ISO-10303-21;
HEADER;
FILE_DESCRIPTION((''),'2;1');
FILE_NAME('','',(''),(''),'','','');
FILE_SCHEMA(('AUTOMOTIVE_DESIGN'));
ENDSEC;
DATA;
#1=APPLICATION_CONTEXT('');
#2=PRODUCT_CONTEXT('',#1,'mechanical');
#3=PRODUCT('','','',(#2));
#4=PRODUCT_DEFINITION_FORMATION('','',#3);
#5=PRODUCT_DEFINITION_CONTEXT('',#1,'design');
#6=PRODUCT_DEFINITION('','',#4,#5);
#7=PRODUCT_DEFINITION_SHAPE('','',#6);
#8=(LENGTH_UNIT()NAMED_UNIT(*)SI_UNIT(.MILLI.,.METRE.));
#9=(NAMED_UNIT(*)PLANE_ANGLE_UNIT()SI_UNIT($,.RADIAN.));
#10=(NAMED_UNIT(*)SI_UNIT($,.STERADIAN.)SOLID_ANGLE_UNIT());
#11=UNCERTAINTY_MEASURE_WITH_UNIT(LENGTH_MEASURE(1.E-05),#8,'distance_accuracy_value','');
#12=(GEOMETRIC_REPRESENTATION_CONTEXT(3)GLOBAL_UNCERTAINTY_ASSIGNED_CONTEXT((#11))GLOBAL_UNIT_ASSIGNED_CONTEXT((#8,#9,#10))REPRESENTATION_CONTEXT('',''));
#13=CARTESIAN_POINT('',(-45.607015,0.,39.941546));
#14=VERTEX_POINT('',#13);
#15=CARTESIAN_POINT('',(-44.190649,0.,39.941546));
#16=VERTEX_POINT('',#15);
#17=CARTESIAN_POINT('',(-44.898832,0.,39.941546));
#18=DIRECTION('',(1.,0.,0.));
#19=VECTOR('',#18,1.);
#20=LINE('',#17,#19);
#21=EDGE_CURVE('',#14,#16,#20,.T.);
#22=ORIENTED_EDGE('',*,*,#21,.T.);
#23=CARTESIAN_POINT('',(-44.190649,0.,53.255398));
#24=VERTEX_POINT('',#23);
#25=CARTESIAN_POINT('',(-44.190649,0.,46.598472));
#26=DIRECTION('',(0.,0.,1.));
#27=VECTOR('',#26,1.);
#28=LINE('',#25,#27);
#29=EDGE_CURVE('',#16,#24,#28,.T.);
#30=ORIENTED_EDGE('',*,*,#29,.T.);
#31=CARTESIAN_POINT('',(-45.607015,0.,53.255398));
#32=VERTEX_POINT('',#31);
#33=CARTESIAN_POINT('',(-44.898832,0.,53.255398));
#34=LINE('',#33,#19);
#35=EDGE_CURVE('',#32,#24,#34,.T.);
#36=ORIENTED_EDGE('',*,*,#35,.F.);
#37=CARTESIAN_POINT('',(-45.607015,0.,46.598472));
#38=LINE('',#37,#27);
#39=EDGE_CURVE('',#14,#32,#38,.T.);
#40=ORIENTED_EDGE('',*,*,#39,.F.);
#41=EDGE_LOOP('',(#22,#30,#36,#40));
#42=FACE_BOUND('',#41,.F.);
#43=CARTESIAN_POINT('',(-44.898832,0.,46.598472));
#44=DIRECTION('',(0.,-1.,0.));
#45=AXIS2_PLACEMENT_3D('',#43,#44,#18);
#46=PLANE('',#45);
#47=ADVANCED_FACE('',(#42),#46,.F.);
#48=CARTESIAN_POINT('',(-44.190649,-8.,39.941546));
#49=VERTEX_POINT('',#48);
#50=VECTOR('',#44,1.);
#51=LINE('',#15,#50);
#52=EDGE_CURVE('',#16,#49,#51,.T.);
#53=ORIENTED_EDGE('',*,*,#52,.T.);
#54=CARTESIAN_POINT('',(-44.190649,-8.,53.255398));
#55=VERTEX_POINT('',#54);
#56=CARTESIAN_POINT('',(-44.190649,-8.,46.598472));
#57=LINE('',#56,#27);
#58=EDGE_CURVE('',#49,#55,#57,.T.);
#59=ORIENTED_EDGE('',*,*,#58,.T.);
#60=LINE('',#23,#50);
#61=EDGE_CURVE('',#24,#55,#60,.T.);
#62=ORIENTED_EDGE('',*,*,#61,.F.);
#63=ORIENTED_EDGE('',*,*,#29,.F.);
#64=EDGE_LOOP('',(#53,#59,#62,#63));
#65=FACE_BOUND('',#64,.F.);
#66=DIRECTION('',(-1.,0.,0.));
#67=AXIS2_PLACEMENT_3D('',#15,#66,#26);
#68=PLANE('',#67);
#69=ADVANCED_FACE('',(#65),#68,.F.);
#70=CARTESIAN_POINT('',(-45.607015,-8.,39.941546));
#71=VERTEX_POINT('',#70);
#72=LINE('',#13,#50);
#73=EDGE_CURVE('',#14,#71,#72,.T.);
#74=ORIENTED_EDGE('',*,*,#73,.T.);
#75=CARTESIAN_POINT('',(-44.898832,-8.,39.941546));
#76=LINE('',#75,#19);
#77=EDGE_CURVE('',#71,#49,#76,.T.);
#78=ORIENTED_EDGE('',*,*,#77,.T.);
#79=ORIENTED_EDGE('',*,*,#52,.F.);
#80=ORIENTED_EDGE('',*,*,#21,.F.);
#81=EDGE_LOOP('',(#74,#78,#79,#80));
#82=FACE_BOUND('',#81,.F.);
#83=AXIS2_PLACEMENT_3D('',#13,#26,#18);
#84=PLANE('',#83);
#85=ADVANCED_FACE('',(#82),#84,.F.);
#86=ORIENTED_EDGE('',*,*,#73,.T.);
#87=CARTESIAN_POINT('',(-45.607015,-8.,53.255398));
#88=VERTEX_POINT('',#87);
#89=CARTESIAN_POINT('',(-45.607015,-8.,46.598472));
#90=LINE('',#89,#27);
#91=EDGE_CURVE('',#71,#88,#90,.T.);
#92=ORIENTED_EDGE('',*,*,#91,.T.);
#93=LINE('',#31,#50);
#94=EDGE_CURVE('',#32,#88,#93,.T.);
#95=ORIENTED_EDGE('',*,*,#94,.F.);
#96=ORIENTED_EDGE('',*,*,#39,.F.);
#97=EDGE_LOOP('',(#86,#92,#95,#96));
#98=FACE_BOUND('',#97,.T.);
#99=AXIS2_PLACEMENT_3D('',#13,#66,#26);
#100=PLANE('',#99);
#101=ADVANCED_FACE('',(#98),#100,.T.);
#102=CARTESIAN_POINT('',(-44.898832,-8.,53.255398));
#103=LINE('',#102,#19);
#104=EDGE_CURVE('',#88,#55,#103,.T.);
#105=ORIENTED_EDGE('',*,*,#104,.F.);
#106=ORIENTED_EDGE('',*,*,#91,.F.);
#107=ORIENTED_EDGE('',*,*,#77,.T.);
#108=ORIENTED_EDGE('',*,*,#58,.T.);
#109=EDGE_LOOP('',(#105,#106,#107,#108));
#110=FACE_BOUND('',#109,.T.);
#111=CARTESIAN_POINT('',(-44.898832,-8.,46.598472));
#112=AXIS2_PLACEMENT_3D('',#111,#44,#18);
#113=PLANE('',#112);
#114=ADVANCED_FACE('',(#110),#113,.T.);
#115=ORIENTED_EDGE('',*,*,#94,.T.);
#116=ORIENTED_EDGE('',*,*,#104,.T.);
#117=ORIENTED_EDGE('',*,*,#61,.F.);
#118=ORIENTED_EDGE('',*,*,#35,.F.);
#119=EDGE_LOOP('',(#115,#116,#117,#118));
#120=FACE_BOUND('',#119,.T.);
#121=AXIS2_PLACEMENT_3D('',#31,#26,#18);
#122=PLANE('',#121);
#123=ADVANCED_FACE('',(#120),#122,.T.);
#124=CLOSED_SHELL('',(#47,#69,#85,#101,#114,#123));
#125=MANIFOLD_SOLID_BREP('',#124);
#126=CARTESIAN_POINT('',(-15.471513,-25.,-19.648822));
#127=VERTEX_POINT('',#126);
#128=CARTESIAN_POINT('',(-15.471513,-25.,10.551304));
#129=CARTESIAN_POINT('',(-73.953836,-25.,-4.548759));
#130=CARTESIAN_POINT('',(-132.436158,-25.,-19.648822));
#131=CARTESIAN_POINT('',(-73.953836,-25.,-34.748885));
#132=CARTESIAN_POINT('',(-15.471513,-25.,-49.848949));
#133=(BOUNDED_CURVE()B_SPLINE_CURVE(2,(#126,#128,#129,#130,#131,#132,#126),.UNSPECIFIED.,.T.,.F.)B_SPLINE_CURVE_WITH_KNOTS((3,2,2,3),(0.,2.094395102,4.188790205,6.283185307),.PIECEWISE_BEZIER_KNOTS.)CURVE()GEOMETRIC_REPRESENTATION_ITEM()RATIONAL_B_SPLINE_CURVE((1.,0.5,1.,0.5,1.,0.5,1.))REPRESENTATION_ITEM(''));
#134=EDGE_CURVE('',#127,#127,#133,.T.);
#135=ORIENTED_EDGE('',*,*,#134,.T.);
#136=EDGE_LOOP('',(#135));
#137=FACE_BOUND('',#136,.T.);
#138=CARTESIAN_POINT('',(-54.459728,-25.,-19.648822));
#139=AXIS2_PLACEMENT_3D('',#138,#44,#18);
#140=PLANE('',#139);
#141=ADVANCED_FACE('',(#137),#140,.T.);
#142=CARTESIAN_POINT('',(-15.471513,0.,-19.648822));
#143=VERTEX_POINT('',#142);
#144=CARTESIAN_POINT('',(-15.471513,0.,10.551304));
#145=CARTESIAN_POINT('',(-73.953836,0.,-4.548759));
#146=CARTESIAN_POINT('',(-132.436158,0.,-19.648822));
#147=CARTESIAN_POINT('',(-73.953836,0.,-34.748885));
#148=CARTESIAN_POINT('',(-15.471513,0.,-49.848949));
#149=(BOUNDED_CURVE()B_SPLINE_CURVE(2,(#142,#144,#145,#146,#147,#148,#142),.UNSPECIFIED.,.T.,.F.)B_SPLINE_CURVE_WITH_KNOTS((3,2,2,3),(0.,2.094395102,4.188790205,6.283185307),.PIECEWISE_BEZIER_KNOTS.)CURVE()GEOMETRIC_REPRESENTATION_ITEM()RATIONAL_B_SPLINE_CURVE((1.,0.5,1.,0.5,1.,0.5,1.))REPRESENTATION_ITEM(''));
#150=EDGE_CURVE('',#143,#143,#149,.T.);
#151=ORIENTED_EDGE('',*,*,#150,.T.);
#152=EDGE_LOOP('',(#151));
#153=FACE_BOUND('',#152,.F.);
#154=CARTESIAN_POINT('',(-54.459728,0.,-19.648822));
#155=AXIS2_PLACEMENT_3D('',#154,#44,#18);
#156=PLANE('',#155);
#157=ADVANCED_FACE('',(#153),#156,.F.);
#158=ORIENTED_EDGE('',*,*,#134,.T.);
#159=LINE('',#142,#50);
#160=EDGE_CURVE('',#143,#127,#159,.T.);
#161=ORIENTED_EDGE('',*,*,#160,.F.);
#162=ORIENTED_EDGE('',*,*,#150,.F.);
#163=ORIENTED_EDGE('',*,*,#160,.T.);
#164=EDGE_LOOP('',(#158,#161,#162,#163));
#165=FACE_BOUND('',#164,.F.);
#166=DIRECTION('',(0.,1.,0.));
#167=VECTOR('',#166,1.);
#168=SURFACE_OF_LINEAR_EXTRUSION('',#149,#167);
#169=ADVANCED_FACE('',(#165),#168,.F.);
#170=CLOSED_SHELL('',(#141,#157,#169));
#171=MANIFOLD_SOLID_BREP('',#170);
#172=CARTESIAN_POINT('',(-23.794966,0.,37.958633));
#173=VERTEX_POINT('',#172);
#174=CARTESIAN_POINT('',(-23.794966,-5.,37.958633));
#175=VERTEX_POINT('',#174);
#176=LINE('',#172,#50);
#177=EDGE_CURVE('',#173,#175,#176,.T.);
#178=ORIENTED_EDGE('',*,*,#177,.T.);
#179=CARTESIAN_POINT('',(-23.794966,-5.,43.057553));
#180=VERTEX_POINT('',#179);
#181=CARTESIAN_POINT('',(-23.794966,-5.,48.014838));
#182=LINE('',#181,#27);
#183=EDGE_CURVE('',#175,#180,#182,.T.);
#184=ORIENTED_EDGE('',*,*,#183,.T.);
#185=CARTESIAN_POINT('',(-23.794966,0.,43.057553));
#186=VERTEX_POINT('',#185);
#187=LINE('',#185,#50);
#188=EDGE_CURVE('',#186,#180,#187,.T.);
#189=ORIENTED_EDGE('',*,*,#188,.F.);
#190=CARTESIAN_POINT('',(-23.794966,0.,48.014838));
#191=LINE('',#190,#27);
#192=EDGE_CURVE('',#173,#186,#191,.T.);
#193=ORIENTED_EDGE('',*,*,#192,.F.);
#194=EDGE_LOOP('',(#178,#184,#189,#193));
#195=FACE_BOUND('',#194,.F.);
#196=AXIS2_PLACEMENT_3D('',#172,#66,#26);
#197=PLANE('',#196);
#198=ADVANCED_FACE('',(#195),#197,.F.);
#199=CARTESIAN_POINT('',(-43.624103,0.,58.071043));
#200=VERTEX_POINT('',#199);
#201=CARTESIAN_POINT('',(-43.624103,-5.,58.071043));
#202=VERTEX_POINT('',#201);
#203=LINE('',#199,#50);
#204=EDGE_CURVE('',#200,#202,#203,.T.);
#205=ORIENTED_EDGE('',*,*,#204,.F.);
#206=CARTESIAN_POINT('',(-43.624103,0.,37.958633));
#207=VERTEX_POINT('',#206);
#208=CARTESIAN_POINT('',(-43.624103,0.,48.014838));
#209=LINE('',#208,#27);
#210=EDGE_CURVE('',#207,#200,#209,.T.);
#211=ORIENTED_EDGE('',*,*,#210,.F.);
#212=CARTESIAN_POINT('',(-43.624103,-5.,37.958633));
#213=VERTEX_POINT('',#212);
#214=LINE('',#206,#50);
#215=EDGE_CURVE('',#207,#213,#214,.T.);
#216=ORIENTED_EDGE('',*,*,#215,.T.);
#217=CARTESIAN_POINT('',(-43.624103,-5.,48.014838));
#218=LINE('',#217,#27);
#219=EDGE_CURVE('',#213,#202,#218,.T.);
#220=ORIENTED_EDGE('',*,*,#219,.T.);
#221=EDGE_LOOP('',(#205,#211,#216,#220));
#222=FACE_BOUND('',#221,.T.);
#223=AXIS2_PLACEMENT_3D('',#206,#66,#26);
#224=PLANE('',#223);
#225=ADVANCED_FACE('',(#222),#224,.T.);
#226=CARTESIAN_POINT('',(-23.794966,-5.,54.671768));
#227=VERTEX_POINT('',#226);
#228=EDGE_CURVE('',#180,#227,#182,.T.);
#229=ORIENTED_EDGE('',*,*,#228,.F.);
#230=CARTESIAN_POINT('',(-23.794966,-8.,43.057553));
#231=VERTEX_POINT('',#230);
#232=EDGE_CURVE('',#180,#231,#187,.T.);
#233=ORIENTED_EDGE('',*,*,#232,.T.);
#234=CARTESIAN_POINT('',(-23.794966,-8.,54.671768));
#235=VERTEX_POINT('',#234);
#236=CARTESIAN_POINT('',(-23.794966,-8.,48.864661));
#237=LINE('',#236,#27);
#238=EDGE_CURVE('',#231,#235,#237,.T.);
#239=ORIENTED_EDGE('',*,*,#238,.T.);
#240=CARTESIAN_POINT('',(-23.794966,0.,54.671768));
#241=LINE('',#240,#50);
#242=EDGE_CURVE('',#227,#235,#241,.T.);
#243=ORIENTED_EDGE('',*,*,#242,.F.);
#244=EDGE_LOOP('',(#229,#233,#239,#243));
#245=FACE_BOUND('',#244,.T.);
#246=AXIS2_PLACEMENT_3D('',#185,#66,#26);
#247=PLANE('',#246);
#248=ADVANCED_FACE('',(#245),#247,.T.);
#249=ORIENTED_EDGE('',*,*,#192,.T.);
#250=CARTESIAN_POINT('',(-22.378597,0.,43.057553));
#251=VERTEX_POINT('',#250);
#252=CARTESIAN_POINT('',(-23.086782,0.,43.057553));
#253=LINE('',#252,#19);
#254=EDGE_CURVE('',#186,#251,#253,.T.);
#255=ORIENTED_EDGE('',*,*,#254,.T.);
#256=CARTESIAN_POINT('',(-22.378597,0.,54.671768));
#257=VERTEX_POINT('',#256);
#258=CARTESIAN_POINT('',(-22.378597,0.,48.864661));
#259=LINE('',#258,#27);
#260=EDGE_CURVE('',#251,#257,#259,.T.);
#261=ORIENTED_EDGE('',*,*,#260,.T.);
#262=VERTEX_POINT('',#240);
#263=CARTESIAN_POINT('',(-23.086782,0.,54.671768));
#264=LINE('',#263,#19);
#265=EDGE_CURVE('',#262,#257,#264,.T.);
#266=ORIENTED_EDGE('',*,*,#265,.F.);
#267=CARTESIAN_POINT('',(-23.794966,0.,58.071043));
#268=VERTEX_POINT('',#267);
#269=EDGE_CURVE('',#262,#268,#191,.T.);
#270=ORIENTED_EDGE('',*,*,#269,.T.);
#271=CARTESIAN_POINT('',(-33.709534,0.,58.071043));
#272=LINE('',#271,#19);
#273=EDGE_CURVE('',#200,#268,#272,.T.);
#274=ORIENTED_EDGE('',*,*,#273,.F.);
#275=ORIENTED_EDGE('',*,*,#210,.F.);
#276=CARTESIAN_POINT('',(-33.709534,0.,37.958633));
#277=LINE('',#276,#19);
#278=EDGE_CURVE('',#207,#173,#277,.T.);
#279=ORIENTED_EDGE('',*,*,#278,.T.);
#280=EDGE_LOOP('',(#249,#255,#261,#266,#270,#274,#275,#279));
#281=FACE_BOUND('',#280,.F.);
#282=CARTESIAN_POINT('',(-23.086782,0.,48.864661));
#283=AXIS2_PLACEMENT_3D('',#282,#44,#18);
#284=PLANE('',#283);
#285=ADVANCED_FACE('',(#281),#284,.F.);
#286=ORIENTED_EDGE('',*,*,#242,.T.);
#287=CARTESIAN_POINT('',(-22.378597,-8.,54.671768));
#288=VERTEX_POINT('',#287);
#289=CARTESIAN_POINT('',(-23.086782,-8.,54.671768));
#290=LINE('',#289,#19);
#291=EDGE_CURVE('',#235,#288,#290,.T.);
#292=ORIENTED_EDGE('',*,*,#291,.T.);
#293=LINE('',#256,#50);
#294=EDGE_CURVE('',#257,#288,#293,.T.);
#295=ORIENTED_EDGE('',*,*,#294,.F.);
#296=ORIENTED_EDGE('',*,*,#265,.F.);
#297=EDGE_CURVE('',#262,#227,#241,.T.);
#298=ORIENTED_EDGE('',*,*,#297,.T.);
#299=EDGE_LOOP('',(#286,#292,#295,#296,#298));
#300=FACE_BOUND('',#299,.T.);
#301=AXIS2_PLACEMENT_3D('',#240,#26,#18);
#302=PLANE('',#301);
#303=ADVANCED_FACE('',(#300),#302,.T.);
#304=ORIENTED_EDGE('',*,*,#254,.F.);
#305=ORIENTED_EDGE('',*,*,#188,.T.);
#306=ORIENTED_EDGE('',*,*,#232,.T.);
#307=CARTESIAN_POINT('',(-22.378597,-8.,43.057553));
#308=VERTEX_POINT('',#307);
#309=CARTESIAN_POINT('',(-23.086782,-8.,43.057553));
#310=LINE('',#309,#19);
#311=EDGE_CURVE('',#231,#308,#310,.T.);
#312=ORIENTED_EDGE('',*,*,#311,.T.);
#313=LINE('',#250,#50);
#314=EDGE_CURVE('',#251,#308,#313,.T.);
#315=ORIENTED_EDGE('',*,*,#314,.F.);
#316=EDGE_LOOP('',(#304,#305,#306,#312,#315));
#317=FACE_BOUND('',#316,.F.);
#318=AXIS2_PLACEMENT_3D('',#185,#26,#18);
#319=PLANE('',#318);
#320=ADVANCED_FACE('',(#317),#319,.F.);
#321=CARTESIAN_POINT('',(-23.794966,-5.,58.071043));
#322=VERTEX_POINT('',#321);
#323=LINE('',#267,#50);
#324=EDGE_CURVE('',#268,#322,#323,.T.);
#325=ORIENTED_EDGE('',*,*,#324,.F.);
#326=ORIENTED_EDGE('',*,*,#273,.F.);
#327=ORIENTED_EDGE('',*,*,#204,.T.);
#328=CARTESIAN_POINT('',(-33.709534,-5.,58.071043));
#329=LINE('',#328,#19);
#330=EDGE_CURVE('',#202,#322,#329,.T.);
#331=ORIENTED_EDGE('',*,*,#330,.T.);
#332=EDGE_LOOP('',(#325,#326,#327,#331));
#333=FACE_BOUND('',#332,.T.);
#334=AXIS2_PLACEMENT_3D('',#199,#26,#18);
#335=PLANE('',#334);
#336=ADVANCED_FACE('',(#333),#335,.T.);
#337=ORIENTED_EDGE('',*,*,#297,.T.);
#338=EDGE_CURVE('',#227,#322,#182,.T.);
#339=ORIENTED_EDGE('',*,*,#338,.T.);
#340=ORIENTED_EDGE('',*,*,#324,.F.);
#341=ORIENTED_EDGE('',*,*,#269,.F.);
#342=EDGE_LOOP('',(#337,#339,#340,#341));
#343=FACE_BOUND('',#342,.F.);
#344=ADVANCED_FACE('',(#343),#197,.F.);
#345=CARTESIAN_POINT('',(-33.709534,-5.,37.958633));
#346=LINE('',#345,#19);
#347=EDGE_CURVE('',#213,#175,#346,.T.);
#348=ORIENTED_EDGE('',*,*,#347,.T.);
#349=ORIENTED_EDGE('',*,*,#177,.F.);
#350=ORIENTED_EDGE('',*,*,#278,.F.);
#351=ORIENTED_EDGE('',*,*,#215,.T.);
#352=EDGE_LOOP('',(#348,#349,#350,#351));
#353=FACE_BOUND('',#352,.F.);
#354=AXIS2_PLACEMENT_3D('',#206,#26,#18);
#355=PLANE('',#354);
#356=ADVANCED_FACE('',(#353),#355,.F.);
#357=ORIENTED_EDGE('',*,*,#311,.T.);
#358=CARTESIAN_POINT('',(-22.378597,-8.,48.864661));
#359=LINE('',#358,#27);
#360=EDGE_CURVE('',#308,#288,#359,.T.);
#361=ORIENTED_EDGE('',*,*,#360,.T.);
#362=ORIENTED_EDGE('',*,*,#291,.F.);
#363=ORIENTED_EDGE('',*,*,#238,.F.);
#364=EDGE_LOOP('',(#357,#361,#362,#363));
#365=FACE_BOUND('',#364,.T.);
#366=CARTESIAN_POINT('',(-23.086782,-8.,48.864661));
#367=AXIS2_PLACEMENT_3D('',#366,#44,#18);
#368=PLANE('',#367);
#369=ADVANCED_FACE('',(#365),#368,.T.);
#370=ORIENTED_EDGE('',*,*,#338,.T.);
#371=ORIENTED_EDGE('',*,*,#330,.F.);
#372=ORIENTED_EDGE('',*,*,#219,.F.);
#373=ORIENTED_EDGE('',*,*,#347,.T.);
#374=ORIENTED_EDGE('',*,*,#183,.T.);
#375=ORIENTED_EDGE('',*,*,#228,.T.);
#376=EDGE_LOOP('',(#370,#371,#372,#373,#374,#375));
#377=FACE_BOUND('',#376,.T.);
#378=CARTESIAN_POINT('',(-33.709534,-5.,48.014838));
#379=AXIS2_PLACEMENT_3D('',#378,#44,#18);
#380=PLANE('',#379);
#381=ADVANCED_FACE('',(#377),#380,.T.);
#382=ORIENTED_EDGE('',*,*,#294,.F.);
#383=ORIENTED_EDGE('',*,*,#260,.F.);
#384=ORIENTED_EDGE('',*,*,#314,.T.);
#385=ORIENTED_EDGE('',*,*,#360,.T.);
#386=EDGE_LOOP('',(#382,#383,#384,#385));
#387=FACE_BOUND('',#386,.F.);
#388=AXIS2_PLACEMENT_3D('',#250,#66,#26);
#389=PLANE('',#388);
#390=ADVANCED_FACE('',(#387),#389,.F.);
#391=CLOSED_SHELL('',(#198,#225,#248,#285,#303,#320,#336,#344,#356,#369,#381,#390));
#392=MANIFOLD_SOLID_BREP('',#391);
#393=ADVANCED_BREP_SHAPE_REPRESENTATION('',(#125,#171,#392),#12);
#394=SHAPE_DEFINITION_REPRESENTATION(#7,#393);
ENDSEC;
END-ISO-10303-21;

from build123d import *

# Parameters (mm, degrees)
F0_W     = 19.8291372508
F0_H     = 20.1124101877
F1_DEPTH = 5
F2_W     = 1.41636841
F2_H     = 11.6142146289
F3_DEPTH = 8
F2_W_2   = 1.4163665473
F2_H_2   = 13.3138522506
F5_DEPTH = 25
F7_DEPTH = 1


with BuildPart() as f1:
    # F0 (on Front) → F1 (new body)
    with BuildSketch(Plane.XZ):
        with Locations((-33.7095344439, 48.0148382485)):
            Rectangle(F0_W, F0_H)
    extrude(amount=F1_DEPTH)

    # F2 (on Front) → F3 (join)
    with BuildSketch(Plane.XZ):
        with Locations((-23.0867816135, 48.8646607846)):
            Rectangle(F2_W, F2_H)
    extrude(amount=F3_DEPTH)


with BuildPart() as f3:
    # F2 (on Front) → F3, piece 2 (new body)
    with BuildSketch(Plane.XZ):
        with Locations((-44.8988322169, 46.5984717011)):
            Rectangle(F2_W_2, F2_H_2)
    extrude(amount=F3_DEPTH)


with BuildPart() as f5:
    # F4 (on Front) → F5 (new body)
    with BuildSketch(Plane.XZ):
        with BuildLine():
            add(Edge.make_bspline(
                [(-15.4715133831, -19.6488220245), (-15.4715133831, 10.5513044833), (-73.9538357593, -4.5487587706), (-132.4361581355, -19.6488220245), (-73.9538357593, -34.7488852783), (-15.4715133831, -49.8489485322), (-15.4715133831, -19.6488220245)],
                knots=[0, 0, 0, 2.0943951024, 2.0943951024, 4.1887902048, 4.1887902048, 6.2831853072, 6.2831853072, 6.2831853072], degree=2, weights=[1, 0.5, 1, 0.5, 1, 0.5, 1]))
        make_face()
    extrude(amount=F5_DEPTH)

    # F6 (on face) → F7 (join)
    with BuildSketch(Plane.XZ.offset(25)):
        with BuildLine():
            add(Edge.make_bspline(
                [(-15.4715133831, -19.6488220245), (-15.4715133831, 10.5513044833), (-73.9538357593, -4.5487587706), (-132.4361581355, -19.6488220245), (-73.9538357593, -34.7488852783), (-15.4715133831, -49.8489485322), (-15.4715133831, -19.6488220245)],
                knots=[0, 0, 0, 2.0943951024, 2.0943951024, 4.1887902048, 4.1887902048, 6.2831853072, 6.2831853072, 6.2831853072], degree=2, weights=[1, 0.5, 1, 0.5, 1, 0.5, 1]))
        make_face()
    extrude(amount=-F7_DEPTH)


solid = Compound([f1.part, f3.part, f5.part])
